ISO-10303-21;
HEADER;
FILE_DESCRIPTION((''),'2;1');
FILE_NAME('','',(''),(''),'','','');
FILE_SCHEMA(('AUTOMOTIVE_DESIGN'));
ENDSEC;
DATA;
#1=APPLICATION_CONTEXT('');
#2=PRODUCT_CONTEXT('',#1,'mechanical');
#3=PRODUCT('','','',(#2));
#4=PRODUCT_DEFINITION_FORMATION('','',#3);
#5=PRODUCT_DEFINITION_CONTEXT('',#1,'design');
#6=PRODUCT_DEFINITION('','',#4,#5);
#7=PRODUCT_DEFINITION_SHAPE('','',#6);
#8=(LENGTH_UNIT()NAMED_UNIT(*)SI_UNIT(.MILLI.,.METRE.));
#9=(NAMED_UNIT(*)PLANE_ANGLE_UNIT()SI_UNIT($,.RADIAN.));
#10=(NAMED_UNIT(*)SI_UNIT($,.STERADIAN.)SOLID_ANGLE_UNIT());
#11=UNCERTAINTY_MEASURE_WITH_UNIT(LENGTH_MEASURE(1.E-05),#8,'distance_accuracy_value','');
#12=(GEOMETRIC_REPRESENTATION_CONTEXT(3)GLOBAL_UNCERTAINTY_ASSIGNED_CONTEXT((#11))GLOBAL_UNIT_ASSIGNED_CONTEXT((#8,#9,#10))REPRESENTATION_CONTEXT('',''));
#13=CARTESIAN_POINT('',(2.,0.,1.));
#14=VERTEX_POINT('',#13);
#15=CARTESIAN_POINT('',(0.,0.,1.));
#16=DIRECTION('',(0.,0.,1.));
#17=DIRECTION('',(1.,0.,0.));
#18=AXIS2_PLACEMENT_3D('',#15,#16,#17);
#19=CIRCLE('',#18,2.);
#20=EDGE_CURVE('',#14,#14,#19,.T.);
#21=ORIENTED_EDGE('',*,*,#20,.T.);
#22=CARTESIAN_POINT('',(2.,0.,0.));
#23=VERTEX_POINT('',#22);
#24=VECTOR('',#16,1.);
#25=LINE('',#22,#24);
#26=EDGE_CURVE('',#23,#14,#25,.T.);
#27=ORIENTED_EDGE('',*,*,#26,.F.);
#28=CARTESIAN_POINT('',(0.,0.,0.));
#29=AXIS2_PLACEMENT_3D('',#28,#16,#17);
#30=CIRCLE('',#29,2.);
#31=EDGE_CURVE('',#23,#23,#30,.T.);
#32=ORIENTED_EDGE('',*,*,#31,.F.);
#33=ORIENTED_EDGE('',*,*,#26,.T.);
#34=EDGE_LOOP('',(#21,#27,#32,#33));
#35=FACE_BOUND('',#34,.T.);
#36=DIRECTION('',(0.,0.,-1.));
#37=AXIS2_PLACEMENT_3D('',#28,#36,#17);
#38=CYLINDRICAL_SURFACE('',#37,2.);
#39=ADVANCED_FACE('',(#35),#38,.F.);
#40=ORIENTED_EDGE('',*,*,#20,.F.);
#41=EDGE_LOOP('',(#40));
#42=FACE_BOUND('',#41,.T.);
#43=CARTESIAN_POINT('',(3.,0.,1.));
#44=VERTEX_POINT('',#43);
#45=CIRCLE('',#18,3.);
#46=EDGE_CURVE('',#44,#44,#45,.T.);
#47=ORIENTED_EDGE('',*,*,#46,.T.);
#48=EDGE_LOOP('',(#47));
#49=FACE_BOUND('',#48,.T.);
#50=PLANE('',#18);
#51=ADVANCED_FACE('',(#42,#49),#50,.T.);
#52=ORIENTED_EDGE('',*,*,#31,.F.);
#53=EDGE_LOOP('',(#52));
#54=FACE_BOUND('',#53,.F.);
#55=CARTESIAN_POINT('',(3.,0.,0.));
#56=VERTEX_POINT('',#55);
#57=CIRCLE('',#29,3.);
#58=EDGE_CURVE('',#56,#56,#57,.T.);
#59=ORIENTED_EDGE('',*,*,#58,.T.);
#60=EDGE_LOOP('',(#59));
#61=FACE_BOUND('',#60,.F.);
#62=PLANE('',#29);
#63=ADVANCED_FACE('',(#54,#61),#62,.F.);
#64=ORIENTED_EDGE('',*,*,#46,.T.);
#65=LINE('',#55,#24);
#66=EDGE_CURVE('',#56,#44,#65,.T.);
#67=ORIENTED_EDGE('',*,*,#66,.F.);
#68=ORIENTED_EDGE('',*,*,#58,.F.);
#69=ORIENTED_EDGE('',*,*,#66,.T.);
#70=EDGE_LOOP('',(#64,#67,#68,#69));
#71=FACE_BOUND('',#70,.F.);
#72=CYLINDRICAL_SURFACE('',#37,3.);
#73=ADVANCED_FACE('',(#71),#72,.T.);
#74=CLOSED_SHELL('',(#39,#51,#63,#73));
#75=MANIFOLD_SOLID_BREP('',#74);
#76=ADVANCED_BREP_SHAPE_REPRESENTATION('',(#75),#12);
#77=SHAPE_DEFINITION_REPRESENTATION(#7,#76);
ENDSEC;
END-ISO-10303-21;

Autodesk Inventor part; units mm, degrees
ref_plane "YZ Plane" through (0, 0, 0) normal (1, 0, 0) x (0, 1, 0)
ref_plane "XZ Plane" through (0, 0, 0) normal (0, 1, 0) x (-1, 0, 0)
ref_plane "XY Plane" through (0, 0, 0) normal (0, 0, 1) x (1, 0, 0)
sketch "Sketch1" plane through (0, 0, 0) normal (0, 0, 1) x (1, 0, 0)
  circle A0 centre (0, 0) radius 2
  circle A1 centre (0, 0) radius 3
  dimension "d0" = 6
  dimension "d1" = 4
extrude "Extrusion1" add sketch "Sketch1" along normal blind 1
properties part number "Vòngđệm"
